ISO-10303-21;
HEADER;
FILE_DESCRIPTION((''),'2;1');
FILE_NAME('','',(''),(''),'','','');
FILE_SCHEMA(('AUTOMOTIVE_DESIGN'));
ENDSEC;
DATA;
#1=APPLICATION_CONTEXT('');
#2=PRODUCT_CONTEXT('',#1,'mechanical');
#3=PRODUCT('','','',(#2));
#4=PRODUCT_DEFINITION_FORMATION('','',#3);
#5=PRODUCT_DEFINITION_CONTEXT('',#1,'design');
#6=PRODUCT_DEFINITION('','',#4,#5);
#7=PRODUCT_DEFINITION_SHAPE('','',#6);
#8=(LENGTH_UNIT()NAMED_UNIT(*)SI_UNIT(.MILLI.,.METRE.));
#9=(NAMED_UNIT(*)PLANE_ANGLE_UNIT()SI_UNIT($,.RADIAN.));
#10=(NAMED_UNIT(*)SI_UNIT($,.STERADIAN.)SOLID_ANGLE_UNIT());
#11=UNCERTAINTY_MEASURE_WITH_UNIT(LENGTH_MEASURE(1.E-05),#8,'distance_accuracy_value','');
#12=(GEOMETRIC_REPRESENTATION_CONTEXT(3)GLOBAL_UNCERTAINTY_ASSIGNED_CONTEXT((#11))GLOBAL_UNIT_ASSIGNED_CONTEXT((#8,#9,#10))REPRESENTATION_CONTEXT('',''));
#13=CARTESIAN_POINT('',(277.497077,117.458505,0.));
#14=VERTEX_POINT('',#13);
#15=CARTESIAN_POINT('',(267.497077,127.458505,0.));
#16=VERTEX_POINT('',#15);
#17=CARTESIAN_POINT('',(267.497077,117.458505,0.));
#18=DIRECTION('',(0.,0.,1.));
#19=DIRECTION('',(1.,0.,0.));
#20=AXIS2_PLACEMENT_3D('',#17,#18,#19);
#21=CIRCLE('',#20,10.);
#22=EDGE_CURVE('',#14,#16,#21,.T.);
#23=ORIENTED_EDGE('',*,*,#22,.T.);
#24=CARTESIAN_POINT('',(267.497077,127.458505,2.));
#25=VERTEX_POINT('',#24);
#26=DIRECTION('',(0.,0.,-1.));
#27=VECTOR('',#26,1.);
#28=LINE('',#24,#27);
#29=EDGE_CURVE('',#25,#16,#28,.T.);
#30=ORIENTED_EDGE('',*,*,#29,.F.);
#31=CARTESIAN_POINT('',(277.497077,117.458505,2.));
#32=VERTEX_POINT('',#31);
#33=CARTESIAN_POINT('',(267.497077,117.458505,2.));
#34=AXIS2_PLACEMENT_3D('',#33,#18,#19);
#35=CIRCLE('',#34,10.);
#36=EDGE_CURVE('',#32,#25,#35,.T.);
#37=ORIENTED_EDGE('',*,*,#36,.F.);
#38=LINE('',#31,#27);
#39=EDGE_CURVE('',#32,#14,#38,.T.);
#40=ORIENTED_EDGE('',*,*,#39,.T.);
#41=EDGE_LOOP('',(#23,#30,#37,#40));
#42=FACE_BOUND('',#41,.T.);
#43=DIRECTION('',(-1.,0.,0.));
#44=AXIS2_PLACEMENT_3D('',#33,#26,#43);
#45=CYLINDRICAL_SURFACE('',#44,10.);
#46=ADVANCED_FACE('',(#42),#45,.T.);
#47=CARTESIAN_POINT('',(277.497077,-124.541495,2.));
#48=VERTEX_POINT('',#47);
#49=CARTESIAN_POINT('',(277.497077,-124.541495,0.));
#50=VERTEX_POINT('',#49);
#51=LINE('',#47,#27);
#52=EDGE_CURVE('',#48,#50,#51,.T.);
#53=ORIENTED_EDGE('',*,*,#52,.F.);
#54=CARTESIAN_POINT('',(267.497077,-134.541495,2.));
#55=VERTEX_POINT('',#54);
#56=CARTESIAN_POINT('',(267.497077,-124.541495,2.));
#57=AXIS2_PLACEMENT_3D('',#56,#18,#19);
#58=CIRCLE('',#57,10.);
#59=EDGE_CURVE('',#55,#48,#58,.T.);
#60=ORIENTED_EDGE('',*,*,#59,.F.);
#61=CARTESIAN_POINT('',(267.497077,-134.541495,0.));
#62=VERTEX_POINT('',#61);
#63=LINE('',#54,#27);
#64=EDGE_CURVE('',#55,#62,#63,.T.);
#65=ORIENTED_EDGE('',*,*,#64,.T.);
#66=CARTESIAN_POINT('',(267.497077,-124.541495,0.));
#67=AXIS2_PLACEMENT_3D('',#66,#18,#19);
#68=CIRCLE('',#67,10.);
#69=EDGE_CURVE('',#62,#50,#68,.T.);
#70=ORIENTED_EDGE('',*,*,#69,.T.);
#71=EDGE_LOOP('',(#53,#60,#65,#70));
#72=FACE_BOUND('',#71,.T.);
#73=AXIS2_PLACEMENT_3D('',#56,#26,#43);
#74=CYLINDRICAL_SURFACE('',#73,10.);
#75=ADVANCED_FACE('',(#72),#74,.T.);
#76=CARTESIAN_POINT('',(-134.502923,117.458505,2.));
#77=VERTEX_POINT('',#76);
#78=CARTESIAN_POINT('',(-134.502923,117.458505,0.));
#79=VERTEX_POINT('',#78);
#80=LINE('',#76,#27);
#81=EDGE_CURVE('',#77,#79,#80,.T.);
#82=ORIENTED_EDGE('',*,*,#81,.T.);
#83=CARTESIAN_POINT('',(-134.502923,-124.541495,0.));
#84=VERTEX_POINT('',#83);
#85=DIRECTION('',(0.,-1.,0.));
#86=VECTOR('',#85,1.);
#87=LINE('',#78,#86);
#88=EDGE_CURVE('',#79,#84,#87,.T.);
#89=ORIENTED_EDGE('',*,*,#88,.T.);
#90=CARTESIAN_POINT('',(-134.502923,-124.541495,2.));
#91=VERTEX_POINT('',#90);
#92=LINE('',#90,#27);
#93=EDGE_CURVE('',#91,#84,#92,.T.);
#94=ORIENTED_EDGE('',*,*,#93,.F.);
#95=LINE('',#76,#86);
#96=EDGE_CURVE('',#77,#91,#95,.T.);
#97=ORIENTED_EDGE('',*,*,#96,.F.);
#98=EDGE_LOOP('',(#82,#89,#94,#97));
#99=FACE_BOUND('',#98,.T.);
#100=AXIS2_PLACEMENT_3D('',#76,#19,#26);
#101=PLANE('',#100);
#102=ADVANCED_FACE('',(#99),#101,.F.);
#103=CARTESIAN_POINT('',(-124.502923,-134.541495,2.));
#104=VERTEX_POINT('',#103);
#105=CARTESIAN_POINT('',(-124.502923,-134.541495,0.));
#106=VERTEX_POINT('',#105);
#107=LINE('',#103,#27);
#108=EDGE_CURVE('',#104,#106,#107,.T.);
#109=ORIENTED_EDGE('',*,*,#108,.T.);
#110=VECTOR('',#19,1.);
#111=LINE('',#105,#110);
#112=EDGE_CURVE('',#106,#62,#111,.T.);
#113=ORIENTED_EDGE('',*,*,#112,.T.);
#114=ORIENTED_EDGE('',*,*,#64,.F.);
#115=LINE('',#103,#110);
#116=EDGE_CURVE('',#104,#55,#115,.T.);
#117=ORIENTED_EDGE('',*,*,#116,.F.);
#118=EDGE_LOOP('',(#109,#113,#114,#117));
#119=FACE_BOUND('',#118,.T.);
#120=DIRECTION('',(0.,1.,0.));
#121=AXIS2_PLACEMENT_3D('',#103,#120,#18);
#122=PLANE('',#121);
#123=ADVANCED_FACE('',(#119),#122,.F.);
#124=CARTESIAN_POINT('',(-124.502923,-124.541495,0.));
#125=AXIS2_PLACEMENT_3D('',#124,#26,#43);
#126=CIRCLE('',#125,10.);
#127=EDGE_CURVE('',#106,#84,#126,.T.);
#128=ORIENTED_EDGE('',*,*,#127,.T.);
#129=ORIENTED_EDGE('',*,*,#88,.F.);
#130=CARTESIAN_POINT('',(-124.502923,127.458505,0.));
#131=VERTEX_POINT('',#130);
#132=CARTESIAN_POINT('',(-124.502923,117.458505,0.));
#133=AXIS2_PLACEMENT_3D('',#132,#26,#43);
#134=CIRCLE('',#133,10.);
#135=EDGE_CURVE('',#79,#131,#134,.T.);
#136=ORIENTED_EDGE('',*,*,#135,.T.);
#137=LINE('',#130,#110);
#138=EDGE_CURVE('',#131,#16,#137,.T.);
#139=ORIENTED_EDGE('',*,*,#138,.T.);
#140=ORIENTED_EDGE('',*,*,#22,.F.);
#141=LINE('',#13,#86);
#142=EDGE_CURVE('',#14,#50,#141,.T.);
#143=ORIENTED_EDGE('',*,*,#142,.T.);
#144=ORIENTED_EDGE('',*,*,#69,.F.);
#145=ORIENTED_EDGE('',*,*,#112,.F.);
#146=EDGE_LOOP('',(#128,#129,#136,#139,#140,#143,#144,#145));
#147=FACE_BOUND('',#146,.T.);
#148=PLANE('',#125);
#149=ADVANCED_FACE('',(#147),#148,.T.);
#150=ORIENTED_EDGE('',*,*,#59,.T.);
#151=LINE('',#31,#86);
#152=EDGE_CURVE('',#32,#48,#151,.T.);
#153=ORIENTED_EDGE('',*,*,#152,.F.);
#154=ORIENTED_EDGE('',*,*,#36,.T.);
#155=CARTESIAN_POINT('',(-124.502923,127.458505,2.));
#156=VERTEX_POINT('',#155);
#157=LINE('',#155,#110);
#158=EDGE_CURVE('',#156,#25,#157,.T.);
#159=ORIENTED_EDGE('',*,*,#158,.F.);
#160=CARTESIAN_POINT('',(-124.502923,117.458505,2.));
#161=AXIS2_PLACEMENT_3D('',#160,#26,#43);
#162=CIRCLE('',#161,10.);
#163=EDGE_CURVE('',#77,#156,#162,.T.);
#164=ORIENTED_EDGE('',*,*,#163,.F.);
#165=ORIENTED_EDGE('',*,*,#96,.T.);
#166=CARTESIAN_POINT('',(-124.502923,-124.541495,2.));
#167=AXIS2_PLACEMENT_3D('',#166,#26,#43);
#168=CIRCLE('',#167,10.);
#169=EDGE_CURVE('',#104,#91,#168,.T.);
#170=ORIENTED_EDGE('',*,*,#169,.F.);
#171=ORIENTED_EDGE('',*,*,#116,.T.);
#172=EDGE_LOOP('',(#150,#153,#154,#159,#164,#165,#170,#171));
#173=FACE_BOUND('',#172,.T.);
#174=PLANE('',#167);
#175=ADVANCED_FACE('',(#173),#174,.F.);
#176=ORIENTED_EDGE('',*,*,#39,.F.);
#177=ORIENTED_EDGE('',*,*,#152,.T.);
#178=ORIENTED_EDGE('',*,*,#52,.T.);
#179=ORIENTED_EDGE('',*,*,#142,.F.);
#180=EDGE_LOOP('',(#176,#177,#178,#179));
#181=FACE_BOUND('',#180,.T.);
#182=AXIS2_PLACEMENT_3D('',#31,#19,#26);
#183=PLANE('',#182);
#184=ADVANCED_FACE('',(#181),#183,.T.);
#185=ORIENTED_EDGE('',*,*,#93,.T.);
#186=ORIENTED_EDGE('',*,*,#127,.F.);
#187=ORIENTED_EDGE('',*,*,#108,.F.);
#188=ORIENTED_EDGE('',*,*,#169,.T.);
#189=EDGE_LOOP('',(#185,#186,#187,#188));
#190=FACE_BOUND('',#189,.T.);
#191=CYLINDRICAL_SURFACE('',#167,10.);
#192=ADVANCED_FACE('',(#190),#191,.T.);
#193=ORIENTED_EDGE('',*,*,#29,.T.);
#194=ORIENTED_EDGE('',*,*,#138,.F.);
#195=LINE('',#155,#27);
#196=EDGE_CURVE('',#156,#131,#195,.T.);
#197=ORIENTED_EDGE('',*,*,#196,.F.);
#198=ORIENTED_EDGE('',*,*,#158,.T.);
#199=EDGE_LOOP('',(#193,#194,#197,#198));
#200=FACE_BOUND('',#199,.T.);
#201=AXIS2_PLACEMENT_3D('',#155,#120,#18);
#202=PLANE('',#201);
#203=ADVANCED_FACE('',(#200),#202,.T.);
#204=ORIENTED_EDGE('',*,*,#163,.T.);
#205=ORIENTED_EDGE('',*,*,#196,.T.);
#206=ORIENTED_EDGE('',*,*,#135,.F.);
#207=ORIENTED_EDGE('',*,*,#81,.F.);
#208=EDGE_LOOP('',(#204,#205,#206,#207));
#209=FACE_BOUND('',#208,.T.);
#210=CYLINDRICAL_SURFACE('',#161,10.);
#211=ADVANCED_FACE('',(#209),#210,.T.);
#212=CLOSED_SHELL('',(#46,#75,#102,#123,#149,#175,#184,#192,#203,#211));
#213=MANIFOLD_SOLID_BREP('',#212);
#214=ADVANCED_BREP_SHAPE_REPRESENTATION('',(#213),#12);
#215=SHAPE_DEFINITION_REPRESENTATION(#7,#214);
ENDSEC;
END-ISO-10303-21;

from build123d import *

# Parameters (mm, degrees)
Y_KSEKLIK_EKSTR_ZYON1_DEPTH = 2


with BuildPart() as part:
    # Çizim1 → Yükseklik-Ekstrüzyon1 (new body)
    with BuildSketch(Plane.XY):
        with BuildLine():
            Line((-124.502923218, 127.458505468), (267.497076782, 127.458505468))
            ThreePointArc((267.497076782, 127.458505468), (274.568144594, 124.52957328), (277.497076782, 117.458505468))
            Line((277.497076782, 117.458505468), (277.497076782, -124.541494532))
            ThreePointArc((277.497076782, -124.541494532), (274.568144594, -131.612562344), (267.497076782, -134.541494532))
            Line((267.497076782, -134.541494532), (-124.502923218, -134.541494532))
            ThreePointArc((-124.502923218, -134.541494532), (-131.57399103, -131.612562344), (-134.502923218, -124.541494532))
            Line((-134.502923218, -124.541494532), (-134.502923218, 117.458505468))
            ThreePointArc((-134.502923218, 117.458505468), (-131.57399103, 124.52957328), (-124.502923218, 127.458505468))
        make_face()
    extrude(amount=Y_KSEKLIK_EKSTR_ZYON1_DEPTH)


solid = part.part
